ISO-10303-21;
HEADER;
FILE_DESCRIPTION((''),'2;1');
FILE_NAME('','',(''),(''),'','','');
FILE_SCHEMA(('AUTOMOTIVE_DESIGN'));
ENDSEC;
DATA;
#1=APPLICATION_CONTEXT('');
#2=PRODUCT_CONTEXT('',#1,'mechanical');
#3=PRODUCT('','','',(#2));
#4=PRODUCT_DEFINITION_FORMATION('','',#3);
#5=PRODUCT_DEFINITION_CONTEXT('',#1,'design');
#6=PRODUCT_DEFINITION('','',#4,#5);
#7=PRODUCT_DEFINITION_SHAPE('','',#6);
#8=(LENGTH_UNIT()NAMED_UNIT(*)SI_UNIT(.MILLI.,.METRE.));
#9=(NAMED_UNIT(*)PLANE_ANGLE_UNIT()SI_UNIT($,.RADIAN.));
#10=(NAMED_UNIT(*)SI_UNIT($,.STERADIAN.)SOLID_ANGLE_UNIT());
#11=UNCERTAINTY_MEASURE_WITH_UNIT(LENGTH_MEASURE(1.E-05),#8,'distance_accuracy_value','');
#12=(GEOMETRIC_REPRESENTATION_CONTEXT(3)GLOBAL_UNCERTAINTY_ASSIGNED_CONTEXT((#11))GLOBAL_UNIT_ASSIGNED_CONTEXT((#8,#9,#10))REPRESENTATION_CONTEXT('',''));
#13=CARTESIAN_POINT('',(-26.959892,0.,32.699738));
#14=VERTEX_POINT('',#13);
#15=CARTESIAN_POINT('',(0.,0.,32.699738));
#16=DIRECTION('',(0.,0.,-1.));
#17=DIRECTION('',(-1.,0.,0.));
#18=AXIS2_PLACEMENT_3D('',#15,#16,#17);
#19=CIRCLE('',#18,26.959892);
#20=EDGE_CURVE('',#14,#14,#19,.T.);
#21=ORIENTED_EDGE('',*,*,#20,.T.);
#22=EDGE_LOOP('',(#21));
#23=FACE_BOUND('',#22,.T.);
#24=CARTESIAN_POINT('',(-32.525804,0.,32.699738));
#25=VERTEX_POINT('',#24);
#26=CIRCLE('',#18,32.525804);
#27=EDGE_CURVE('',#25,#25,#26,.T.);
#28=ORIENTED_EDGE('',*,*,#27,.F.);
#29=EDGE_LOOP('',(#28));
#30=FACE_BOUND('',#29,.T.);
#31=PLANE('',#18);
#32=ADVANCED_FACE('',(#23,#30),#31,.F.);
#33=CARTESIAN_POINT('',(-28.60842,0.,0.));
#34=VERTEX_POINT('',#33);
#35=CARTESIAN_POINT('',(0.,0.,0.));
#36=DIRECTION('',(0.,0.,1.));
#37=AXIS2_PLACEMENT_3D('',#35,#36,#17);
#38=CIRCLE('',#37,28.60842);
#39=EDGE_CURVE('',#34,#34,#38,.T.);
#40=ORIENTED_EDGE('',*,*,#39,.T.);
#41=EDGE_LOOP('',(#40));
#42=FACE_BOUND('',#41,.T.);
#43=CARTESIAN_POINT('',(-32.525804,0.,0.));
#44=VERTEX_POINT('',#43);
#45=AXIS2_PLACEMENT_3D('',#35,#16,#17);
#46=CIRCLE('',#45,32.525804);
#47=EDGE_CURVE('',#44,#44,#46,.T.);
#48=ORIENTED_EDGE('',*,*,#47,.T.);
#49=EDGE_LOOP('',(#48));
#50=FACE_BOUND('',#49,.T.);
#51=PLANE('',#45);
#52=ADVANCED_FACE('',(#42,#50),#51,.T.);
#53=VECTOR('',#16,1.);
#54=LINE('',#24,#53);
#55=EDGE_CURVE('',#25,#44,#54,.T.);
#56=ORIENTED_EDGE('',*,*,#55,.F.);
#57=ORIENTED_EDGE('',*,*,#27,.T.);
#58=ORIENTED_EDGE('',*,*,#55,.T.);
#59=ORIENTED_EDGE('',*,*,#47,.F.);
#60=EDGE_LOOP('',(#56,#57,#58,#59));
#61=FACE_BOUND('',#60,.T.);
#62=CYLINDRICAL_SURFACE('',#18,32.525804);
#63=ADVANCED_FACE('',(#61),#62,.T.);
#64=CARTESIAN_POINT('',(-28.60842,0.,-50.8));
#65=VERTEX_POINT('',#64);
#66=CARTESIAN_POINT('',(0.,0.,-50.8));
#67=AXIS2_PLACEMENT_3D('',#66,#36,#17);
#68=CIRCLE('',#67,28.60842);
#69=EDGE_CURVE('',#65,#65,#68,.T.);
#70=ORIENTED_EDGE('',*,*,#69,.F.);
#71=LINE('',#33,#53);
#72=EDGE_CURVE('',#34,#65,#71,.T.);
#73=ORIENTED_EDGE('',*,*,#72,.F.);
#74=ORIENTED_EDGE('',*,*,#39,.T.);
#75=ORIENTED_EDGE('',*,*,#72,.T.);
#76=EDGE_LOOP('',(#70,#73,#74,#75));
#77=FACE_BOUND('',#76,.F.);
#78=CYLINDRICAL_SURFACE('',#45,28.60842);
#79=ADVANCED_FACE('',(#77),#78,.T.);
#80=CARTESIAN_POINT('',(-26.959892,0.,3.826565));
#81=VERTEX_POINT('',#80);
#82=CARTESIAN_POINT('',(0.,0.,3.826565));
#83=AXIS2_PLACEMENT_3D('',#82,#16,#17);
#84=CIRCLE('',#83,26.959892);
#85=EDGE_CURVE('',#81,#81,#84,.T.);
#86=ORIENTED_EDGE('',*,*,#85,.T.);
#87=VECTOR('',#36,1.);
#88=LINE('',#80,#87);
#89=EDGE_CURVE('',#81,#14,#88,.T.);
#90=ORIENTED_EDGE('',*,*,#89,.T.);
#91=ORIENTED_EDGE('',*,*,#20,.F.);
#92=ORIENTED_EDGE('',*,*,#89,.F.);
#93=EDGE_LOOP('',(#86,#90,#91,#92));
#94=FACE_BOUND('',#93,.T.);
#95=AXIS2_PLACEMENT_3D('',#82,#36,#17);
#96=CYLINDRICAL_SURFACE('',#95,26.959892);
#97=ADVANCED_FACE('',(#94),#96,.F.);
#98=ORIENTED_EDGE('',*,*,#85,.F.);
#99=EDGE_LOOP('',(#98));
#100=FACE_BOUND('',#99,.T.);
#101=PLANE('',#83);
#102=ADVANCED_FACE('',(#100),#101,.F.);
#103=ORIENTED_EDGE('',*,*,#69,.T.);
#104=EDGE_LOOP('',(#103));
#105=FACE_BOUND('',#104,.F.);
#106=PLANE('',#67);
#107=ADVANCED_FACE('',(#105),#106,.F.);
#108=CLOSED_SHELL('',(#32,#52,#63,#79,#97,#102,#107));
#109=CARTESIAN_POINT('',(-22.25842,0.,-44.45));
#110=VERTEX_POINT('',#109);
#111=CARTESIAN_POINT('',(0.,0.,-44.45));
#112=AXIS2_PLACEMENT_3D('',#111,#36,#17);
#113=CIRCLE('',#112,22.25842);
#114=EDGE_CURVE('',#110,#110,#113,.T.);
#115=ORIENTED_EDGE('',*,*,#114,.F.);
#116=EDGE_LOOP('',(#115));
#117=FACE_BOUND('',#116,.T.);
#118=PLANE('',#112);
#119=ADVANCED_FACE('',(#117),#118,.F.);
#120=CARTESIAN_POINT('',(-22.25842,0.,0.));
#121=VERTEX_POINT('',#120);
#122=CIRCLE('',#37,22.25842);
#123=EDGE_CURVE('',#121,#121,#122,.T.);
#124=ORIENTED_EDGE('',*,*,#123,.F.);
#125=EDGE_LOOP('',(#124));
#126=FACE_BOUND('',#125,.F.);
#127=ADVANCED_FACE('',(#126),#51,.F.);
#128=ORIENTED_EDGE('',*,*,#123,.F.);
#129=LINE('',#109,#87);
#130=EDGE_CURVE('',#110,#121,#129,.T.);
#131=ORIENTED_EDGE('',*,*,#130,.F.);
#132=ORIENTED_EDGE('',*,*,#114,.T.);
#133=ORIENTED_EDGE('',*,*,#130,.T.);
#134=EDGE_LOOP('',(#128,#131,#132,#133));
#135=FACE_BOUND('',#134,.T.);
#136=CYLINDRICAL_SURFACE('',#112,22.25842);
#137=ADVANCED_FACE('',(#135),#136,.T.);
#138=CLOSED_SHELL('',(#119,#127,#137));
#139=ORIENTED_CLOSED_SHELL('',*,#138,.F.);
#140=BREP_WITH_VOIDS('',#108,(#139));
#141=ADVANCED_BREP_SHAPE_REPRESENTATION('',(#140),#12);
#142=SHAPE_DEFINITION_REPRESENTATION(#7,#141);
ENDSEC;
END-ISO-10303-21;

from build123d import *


with BuildPart() as f1:
    # F0 (on Front) → F1 (revolve)
    with BuildSketch(Plane.XZ):
        Polygon((-32.525804, 0), (0, 0), (0, 3.826565), (-26.959892, 3.826565), (-26.959892, 32.699738), (-32.525804, 32.699738), align=None)
    revolve(axis=Axis((0, 0, 1.913283), (0, 0, -1)))

    # F2 (on Front) → F3 (revolve)
    with BuildSketch(Plane.XZ):
        Polygon((-22.25842, 0), (-28.60842, 0), (-28.60842, -50.8), (0, -50.8), (0, -44.45), (-22.25842, -44.45), align=None)
    revolve(axis=Axis((0, 0, -47.625), (0, 0, 1)))


solid = f1.part
